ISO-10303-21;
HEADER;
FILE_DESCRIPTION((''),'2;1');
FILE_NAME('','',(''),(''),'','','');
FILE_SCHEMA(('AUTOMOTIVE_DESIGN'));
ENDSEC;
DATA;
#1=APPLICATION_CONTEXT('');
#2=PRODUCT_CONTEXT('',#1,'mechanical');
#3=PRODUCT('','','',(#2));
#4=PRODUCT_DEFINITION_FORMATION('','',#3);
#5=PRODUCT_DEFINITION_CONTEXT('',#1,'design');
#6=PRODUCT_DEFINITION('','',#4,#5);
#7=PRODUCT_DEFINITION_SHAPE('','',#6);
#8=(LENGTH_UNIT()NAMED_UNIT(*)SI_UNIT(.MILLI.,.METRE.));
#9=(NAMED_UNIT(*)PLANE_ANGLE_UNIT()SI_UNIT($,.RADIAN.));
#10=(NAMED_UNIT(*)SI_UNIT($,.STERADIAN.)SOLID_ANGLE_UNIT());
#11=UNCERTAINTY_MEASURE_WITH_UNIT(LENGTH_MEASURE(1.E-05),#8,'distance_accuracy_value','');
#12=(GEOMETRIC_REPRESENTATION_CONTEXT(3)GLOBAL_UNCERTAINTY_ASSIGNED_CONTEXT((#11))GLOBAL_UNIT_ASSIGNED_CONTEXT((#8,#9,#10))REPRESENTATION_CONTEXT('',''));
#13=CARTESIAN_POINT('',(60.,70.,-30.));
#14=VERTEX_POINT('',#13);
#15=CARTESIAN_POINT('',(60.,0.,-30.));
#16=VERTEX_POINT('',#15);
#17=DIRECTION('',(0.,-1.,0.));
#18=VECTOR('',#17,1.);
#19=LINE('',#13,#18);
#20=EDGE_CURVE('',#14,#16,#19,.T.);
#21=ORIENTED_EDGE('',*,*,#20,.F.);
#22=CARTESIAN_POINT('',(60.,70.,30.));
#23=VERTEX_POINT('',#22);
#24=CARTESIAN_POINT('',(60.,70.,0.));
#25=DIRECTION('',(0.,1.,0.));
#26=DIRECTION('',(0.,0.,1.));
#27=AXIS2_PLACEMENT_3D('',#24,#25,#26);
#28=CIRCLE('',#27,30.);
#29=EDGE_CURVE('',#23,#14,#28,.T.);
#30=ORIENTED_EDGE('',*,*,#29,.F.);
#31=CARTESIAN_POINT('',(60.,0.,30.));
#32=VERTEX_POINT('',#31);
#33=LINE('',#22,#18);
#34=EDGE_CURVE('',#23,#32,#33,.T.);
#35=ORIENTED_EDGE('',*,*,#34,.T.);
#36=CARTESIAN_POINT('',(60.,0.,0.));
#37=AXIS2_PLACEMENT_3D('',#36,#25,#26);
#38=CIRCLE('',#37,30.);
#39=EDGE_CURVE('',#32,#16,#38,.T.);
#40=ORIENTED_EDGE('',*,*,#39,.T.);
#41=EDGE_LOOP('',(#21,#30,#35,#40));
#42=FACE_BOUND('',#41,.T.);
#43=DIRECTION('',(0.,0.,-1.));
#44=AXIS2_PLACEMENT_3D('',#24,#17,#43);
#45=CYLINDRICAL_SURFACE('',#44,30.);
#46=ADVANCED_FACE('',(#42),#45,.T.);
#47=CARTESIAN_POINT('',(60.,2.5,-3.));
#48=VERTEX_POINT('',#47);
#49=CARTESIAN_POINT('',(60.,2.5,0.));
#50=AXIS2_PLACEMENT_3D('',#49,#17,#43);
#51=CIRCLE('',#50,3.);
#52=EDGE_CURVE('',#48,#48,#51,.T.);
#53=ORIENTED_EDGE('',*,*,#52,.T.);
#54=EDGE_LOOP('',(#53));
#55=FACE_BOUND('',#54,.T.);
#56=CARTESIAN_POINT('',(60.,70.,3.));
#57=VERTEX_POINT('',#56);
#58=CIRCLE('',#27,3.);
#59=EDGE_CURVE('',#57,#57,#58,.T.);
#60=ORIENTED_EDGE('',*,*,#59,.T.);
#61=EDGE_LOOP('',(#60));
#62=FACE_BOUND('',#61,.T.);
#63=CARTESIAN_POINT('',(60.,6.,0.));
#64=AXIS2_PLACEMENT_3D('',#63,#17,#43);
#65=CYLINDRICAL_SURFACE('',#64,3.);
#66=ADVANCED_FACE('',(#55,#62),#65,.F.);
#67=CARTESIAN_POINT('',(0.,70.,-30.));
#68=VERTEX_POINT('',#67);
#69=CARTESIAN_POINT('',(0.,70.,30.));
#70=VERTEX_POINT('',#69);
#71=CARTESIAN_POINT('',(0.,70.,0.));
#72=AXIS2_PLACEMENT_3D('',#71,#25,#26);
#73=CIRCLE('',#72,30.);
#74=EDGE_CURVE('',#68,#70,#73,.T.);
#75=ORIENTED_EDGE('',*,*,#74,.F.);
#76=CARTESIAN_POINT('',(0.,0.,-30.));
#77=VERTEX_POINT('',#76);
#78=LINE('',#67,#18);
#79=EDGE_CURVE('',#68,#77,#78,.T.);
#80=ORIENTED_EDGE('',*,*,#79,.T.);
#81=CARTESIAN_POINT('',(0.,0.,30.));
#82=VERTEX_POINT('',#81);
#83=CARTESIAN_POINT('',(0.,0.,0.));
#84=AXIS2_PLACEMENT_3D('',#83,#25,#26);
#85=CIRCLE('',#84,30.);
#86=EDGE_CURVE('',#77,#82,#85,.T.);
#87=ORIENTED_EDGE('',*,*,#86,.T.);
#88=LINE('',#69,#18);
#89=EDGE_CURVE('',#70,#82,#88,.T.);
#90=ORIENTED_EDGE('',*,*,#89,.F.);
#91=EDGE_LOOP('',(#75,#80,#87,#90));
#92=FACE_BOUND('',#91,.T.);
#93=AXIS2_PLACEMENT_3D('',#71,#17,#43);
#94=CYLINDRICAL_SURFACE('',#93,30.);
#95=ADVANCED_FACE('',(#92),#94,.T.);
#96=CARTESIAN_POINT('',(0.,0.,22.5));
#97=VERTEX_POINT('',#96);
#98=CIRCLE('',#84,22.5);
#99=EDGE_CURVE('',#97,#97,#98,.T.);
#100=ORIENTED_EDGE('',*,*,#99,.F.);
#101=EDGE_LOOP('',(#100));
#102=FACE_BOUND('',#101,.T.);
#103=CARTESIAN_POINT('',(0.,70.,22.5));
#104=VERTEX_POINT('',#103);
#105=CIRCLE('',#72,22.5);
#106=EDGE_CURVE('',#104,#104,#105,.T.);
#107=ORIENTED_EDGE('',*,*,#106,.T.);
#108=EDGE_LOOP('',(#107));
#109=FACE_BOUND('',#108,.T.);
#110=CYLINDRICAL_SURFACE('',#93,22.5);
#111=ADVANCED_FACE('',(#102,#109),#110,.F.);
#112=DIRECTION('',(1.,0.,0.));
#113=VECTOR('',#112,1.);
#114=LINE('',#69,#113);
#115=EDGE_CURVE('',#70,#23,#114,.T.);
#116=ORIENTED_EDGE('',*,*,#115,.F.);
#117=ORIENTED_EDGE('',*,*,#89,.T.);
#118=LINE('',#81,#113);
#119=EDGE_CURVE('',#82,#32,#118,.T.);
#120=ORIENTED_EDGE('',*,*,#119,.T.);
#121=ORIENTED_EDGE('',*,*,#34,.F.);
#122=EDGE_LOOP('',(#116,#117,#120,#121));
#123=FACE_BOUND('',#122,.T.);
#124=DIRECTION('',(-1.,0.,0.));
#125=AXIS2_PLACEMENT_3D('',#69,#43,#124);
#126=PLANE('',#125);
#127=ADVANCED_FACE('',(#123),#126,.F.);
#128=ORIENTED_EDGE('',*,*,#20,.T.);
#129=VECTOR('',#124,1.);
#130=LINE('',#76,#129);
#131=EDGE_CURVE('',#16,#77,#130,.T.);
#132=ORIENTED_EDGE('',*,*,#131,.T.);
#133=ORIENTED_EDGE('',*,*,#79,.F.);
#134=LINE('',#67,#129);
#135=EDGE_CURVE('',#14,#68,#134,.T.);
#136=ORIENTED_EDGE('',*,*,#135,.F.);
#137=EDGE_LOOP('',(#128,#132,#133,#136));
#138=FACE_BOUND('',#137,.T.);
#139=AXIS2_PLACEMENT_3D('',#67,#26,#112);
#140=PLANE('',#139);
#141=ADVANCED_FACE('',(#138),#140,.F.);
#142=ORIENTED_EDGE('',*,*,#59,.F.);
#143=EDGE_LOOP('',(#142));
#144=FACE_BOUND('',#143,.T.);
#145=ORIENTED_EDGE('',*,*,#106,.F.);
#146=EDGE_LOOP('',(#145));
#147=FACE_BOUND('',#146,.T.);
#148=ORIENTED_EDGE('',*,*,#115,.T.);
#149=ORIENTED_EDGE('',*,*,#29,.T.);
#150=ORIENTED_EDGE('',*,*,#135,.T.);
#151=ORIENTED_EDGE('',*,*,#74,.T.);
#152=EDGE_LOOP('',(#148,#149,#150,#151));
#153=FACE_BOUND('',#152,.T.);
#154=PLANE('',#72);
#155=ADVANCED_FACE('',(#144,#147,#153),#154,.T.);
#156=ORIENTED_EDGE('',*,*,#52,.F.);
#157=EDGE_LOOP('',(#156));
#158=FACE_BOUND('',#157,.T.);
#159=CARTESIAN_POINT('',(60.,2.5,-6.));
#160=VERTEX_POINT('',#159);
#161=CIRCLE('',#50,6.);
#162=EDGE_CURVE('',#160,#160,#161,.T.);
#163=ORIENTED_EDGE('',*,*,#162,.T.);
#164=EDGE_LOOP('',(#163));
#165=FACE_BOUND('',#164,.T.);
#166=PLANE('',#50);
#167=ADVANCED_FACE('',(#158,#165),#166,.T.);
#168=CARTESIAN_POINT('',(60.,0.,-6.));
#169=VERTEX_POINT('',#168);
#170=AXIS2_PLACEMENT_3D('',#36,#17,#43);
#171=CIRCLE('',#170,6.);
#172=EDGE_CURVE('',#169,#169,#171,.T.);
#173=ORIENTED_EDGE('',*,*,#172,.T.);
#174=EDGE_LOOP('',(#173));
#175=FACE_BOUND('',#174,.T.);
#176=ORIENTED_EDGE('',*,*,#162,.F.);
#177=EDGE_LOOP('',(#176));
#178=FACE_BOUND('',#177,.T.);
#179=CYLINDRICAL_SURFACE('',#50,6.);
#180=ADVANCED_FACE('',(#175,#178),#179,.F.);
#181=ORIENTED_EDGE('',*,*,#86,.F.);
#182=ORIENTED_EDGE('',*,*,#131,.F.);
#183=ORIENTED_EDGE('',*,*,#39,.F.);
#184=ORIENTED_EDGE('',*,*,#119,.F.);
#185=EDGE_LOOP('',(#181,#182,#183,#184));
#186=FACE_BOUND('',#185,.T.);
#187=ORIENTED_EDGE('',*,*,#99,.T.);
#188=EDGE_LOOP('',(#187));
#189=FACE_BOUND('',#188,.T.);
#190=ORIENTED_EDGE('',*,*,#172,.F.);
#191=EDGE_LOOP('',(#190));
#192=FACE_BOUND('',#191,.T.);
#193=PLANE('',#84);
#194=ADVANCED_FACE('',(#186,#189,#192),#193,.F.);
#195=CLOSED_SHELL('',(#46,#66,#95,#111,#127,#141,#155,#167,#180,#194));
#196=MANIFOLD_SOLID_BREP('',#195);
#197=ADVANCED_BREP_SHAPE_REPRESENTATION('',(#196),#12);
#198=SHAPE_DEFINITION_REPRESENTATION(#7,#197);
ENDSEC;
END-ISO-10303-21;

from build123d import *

# Parameters (mm, degrees)
SKETCH3_R           = 22.5
BOSS_EXTRUDE1_DEPTH = 70
SKETCH4_R           = 6
CUT_EXTRUDE1_DEPTH  = 2.5
SKETCH6_R           = 3
CUT_EXTRUDE2_DEPTH  = 6
SKETCH7_R           = 3
CUT_EXTRUDE3_DEPTH  = 118.898261226


with BuildPart() as part:
    # Sketch3 → Boss-Extrude1 (new body)
    with BuildSketch(Plane(origin=(0, 0, 0), x_dir=(1, 0, 0), z_dir=(0, 1, 0))):
        with BuildLine():
            Line((0, 30), (60, 30))
            ThreePointArc((60, 30), (90, 0), (60, -30))
            Line((60, -30), (0, -30))
            ThreePointArc((0, -30), (-30, 0), (0, 30))
        make_face()
        with Locations(Location((0, 0, 0), (0, 0, 270))):
            Circle(SKETCH3_R, mode=Mode.SUBTRACT)
    extrude(amount=BOSS_EXTRUDE1_DEPTH)

    # Sketch4 → Cut-Extrude1 (cut)
    with BuildSketch(Plane.XZ):
        with Locations(Location((60, 0, 0), (0, 0, 270))):
            Circle(SKETCH4_R)
    extrude(amount=-CUT_EXTRUDE1_DEPTH, mode=Mode.SUBTRACT)

    # Sketch6 → Cut-Extrude2 (cut)
    with BuildSketch(Plane.XZ):
        with Locations(Location((60, 0, 0), (0, 0, 270))):
            Circle(SKETCH6_R)
    extrude(amount=-CUT_EXTRUDE2_DEPTH, mode=Mode.SUBTRACT)

    # Sketch7 → Cut-Extrude3 (cut, through all)
    with BuildSketch(Plane(origin=(0, 70, 0), x_dir=(1, 0, 0), z_dir=(0, 1, 0))):
        with Locations(Location((60, 0, 0), (0, 0, 90))):
            Circle(SKETCH7_R)
    extrude(amount=-CUT_EXTRUDE3_DEPTH, mode=Mode.SUBTRACT)


solid = part.part
